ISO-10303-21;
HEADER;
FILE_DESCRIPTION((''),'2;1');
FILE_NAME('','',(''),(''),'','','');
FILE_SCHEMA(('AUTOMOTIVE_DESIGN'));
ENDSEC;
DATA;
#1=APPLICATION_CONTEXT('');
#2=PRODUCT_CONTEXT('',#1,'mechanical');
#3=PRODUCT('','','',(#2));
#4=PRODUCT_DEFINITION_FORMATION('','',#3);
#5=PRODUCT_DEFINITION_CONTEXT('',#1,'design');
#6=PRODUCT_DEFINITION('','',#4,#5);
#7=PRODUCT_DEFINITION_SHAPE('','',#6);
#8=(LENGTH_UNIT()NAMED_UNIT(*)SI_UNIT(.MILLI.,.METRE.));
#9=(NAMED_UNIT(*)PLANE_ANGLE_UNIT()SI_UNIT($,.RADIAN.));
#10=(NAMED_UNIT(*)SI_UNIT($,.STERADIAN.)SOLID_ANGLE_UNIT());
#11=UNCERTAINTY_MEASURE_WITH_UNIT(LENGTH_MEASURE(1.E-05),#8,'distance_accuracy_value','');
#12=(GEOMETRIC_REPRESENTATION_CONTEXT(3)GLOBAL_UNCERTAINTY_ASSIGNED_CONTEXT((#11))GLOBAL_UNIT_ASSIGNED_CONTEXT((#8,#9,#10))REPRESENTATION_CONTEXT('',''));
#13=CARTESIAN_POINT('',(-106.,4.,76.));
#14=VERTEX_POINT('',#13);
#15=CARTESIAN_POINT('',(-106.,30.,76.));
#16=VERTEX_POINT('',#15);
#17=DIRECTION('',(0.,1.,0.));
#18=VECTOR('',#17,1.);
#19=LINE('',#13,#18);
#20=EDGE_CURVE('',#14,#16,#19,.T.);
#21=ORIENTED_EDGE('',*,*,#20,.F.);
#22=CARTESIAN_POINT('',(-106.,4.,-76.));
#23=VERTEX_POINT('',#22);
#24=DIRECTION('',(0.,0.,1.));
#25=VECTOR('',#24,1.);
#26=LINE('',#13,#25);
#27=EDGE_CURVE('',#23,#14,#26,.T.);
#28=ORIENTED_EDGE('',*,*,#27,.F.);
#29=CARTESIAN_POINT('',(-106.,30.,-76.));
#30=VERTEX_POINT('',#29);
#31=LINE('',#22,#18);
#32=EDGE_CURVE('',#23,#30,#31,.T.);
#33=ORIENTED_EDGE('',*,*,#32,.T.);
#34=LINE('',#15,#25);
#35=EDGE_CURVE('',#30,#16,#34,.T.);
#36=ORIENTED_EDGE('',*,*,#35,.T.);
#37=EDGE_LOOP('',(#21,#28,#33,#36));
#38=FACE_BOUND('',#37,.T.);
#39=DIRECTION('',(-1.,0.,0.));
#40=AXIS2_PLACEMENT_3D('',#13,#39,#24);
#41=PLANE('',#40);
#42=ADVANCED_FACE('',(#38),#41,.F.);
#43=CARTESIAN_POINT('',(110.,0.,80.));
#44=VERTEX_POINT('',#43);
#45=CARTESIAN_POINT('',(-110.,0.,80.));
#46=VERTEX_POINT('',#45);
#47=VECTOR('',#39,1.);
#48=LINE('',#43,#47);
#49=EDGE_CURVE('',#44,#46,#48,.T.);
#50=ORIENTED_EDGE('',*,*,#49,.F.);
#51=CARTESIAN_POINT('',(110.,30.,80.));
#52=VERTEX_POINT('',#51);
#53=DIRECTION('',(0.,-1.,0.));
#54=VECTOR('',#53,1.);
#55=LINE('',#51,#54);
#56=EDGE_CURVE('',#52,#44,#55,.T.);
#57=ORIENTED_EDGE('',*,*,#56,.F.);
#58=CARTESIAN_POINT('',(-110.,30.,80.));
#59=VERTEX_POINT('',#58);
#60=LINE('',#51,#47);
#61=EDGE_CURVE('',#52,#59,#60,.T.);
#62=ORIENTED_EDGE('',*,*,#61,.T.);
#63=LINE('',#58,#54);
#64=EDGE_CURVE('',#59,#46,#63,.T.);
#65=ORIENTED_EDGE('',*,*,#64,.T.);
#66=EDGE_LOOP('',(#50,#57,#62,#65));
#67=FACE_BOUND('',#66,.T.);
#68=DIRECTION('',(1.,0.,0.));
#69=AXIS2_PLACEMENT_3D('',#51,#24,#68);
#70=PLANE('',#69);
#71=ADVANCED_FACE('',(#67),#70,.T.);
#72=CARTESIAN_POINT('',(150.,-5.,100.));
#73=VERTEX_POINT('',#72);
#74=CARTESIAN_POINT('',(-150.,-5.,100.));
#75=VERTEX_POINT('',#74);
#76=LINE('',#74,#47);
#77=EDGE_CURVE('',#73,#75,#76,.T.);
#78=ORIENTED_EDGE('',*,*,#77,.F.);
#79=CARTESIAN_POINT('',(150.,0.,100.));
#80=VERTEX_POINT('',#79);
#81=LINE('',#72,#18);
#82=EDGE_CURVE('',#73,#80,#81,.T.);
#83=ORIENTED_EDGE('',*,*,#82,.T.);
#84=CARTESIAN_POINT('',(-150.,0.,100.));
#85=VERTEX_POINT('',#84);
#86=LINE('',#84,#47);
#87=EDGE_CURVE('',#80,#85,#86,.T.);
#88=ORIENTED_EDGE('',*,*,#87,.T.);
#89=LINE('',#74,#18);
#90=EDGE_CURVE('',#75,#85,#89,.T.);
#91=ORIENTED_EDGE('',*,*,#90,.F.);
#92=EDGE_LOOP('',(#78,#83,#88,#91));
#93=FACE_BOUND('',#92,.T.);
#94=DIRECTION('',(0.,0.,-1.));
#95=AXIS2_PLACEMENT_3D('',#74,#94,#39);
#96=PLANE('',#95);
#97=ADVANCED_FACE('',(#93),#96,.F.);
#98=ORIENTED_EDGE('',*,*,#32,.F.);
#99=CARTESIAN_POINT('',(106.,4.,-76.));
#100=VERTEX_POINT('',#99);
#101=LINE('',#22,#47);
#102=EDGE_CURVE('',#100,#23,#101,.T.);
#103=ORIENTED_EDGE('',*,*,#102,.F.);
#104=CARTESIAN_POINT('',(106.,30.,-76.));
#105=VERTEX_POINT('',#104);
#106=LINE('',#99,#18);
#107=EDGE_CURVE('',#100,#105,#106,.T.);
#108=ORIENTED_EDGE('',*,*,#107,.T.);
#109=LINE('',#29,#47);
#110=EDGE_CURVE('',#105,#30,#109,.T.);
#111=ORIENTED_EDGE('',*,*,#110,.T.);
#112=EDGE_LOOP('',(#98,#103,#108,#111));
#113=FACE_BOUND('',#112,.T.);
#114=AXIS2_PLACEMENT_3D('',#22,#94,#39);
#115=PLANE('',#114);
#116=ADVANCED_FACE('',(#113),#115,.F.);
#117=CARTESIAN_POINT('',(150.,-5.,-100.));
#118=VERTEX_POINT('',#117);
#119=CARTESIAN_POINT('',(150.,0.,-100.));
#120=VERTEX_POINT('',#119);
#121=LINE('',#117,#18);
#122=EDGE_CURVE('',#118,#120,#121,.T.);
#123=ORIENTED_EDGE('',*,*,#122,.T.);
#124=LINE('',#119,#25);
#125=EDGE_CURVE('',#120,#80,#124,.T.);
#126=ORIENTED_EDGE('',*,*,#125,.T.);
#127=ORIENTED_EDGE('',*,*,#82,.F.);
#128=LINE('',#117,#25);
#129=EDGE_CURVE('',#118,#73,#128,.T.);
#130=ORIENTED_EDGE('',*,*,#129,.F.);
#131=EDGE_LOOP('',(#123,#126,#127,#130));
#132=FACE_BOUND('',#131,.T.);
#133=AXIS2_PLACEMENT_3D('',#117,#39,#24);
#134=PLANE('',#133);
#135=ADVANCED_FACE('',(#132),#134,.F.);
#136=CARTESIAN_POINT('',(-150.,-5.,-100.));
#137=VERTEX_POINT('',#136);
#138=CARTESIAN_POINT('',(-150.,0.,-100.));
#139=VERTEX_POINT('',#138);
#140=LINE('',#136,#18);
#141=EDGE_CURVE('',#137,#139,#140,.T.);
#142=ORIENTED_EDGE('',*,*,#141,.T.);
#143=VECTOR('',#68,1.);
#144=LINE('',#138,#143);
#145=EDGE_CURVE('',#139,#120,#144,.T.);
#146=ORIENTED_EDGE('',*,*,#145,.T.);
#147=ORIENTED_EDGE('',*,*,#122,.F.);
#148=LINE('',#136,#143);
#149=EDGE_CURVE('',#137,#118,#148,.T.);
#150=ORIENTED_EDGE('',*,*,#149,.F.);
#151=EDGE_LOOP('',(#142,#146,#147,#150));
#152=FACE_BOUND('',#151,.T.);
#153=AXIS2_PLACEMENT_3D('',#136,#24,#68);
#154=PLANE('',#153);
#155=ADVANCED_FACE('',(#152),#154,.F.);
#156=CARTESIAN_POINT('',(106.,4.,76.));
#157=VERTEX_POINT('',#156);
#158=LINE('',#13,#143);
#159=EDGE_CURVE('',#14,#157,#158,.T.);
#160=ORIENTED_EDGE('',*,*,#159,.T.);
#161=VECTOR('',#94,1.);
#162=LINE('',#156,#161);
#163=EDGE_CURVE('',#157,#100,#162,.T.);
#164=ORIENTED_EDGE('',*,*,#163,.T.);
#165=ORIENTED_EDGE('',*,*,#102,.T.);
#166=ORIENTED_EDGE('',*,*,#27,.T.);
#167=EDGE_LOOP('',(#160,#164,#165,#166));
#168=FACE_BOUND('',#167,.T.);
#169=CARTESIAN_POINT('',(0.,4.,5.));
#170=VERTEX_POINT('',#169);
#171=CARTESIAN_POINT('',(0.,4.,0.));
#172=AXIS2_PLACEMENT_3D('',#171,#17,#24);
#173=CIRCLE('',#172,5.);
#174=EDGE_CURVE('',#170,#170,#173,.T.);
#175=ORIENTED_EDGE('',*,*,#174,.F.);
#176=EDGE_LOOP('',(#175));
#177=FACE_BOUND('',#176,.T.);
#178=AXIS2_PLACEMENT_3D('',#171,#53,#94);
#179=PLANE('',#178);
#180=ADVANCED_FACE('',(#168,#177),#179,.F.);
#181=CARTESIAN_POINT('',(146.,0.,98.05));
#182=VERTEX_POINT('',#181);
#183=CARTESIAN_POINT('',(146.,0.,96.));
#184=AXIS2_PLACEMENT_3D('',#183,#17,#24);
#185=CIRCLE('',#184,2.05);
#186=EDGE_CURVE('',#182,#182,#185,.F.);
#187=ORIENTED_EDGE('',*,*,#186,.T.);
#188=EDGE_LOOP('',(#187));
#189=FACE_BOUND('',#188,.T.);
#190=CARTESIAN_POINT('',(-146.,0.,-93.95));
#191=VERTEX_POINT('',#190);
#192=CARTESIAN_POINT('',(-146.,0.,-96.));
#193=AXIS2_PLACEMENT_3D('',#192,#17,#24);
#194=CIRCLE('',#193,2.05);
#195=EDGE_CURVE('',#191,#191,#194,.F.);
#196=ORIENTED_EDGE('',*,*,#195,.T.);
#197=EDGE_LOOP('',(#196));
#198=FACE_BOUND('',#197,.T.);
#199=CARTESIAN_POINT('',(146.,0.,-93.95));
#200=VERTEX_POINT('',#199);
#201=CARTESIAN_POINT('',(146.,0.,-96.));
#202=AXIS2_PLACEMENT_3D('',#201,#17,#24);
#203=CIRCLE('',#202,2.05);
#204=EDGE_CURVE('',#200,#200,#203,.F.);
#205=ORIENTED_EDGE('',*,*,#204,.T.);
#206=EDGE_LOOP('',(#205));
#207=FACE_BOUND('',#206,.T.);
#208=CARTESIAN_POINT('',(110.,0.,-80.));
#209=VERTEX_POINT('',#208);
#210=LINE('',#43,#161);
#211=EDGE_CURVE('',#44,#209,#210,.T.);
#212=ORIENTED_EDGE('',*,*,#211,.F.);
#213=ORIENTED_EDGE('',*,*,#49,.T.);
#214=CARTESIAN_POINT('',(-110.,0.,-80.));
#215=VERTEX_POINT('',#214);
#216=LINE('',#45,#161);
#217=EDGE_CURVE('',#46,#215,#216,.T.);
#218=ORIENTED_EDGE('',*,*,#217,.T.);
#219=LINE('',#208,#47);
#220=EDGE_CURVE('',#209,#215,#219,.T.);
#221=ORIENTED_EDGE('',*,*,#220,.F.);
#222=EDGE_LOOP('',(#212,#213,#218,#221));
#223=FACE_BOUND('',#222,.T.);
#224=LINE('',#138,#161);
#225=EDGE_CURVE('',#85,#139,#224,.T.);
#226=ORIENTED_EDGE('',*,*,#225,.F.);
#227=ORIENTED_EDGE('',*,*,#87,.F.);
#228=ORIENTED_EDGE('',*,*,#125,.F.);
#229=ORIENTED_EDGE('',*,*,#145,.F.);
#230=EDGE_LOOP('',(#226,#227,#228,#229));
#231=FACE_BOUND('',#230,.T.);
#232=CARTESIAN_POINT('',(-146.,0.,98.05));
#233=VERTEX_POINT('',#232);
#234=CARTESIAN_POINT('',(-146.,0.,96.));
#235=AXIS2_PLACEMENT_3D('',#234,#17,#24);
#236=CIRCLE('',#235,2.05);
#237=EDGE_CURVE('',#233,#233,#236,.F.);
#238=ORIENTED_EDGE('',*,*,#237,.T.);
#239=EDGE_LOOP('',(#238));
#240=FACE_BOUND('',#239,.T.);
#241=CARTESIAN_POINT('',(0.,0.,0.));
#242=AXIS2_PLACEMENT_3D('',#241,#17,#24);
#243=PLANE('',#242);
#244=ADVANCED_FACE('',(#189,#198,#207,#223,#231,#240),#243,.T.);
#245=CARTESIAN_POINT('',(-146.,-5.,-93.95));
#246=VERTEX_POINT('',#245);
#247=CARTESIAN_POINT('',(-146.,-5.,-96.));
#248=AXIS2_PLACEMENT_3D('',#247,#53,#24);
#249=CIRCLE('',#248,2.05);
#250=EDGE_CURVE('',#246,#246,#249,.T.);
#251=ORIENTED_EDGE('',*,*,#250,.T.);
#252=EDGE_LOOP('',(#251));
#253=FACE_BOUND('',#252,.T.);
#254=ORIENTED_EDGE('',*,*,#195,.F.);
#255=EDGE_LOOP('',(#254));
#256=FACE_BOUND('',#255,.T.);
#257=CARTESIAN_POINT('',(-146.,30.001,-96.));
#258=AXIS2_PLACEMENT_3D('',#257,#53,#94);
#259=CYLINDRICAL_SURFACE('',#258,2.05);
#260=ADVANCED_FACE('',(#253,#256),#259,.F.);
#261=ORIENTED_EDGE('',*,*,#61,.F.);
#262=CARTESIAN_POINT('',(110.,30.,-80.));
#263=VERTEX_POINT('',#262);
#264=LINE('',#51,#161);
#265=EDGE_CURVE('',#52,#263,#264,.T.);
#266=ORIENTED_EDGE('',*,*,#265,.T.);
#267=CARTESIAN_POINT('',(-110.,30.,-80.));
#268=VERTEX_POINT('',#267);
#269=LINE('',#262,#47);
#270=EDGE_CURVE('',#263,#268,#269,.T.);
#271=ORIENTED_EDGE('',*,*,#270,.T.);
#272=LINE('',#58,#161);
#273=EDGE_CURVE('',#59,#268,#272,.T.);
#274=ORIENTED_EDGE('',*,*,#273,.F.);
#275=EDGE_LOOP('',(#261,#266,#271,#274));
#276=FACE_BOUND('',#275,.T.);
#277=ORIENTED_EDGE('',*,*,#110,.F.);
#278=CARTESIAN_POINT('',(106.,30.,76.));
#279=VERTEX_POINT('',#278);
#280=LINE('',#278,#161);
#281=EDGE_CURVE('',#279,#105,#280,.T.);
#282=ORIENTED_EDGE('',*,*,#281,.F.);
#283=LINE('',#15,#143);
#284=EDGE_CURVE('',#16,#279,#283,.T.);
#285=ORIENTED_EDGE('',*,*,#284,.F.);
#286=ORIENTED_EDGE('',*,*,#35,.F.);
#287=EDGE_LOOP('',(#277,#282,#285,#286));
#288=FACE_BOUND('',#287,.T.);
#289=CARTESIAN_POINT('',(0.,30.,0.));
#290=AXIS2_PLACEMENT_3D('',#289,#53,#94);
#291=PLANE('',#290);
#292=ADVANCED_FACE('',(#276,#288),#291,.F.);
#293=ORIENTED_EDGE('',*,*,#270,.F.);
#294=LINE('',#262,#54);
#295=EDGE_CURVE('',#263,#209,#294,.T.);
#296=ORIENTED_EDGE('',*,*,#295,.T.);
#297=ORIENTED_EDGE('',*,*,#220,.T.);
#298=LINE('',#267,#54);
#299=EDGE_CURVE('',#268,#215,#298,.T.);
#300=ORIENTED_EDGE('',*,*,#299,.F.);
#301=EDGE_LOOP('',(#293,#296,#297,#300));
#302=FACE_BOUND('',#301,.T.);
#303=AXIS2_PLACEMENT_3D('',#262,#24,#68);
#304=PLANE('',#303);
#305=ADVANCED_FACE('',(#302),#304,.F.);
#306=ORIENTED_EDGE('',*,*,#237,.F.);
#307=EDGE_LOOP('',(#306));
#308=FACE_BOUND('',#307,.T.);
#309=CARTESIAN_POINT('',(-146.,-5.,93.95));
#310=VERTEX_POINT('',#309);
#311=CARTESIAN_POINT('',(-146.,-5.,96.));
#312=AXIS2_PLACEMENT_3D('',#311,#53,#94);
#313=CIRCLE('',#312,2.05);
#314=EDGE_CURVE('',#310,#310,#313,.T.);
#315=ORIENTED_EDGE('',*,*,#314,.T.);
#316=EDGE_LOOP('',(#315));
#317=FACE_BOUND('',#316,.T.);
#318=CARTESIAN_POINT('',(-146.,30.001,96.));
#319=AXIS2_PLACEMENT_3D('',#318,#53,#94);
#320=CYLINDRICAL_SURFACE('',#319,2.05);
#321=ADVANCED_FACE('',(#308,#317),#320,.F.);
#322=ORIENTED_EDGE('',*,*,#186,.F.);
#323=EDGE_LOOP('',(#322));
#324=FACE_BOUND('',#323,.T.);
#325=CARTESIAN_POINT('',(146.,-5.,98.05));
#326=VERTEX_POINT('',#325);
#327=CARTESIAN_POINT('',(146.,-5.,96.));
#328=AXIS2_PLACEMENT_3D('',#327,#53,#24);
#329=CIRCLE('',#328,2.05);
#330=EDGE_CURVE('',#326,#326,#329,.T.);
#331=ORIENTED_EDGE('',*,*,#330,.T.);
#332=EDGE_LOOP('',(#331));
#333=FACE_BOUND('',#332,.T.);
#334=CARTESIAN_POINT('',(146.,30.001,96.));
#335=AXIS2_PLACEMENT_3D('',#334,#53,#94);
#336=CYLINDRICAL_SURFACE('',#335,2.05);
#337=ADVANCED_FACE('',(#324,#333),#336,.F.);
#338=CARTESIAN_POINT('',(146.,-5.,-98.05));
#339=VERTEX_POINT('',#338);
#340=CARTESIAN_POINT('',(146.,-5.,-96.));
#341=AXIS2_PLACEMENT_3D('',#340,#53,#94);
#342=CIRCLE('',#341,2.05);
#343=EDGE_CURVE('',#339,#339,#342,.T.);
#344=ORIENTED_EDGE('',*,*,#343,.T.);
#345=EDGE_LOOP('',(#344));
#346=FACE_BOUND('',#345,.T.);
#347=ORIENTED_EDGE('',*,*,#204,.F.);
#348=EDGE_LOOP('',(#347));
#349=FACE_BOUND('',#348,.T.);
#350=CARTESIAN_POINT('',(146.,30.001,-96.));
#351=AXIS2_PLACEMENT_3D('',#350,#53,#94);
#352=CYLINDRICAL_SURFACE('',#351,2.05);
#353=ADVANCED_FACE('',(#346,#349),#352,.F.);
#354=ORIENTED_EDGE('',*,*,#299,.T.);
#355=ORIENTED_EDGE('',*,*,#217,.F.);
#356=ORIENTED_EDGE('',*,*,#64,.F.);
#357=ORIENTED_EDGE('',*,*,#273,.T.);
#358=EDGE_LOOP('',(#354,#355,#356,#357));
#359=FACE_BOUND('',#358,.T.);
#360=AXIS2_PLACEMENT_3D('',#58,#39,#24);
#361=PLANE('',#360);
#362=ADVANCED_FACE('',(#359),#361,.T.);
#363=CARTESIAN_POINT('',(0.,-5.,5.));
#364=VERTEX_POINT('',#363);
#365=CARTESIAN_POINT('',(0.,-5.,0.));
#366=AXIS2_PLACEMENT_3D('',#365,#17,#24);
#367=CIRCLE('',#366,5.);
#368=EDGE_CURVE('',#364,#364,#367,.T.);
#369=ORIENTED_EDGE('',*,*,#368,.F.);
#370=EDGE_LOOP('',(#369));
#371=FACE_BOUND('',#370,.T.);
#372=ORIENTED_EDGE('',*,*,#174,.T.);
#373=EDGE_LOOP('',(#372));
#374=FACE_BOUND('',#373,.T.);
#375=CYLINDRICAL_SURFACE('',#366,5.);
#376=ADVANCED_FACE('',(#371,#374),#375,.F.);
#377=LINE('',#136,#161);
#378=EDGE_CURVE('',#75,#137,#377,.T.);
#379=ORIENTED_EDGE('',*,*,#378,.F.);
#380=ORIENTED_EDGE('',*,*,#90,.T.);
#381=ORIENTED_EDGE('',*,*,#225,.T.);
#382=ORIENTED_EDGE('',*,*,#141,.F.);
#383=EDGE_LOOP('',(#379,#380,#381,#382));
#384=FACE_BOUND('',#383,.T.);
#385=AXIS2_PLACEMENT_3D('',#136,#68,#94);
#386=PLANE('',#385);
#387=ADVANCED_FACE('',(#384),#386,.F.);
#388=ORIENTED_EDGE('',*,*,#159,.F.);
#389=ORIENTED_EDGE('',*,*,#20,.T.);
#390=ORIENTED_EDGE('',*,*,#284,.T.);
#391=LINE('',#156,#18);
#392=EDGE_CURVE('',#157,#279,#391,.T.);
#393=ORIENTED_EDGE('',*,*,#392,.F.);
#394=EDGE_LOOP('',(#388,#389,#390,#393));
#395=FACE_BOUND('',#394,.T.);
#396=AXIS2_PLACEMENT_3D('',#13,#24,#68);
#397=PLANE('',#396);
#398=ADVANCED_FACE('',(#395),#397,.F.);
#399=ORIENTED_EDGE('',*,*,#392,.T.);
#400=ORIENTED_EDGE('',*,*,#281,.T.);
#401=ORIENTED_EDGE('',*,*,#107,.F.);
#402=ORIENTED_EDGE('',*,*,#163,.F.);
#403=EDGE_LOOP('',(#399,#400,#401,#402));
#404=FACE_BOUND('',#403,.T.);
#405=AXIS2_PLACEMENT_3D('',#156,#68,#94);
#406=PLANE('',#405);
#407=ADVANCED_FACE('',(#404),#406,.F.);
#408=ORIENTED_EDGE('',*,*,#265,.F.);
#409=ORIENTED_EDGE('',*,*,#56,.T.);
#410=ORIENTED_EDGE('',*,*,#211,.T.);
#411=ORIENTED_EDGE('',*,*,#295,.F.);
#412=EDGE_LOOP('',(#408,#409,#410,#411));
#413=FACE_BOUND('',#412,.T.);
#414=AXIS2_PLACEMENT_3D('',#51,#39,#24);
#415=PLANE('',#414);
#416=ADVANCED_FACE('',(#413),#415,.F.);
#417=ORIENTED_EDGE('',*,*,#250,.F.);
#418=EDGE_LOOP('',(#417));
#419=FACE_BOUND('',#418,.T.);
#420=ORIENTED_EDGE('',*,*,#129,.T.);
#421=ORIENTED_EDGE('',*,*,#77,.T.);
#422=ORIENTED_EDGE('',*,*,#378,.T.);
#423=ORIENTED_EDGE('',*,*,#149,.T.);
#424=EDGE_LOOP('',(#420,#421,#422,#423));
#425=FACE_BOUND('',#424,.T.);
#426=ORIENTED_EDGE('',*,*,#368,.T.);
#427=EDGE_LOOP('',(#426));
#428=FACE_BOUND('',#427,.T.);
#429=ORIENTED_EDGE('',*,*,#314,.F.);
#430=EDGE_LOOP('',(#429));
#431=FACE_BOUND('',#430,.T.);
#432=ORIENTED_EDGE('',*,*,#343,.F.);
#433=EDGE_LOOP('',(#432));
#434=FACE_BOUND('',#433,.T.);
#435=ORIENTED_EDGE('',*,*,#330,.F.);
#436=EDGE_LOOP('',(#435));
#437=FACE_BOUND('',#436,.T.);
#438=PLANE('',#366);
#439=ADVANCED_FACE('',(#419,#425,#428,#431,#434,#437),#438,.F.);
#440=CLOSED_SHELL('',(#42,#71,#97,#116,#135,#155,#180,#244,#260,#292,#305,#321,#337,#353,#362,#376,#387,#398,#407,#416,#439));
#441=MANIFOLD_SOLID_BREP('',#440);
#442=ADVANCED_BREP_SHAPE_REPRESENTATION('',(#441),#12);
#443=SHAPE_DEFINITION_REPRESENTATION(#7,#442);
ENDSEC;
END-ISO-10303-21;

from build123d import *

# Parameters (mm, degrees)
SKETCH2_W           = 220
SKETCH2_H           = 160
BOSS_EXTRUDE1_DEPTH = 30
SKETCH3_W           = 212
SKETCH3_H           = 152
CUT_EXTRUDE1_DEPTH  = 26
SKETCH4_W           = 300
SKETCH4_H           = 200
BOSS_EXTRUDE2_DEPTH = 5
CUT_EXTRUDE2_REACH  = 185.644
SKETCH5_R           = 2.05
SKETCH6_R           = 5
CUT_EXTRUDE3_DEPTH  = 183.14280112


with BuildPart() as part:
    # Sketch2 → Boss-Extrude1 (new body)
    with BuildSketch(Plane(origin=(0, 0, 0), x_dir=(1, 0, 0), z_dir=(0, 1, 0))):
        Rectangle(SKETCH2_W, SKETCH2_H)
    extrude(amount=BOSS_EXTRUDE1_DEPTH)

    # Sketch3 → Cut-Extrude1 (cut)
    with BuildSketch(Plane(origin=(0, 30, 0), x_dir=(1, 0, 0), z_dir=(0, 1, 0))):
        Rectangle(SKETCH3_W, SKETCH3_H)
    extrude(amount=-CUT_EXTRUDE1_DEPTH, mode=Mode.SUBTRACT)

    # Sketch4 → Boss-Extrude2 (add)
    with BuildSketch(Plane.XZ):
        Rectangle(SKETCH4_W, SKETCH4_H)
    extrude(amount=BOSS_EXTRUDE2_DEPTH)

    # Sketch5 → Cut-Extrude2 (cut, up to next)
    with BuildSketch(Plane.XZ.offset(5), mode=Mode.PRIVATE) as cut_extrude2_sk1:
        with Locations(Location((-146, 96, 0), (0, 0, 270))):
            Circle(SKETCH5_R)
    cut_extrude2_tool1 = extrude(cut_extrude2_sk1.sketch, amount=-CUT_EXTRUDE2_REACH, mode=Mode.PRIVATE) & part.part
    # Sketch5 → Cut-Extrude2 (cut, up to next)
    with BuildSketch(Plane.XZ.offset(5), mode=Mode.PRIVATE) as cut_extrude2_sk2:
        with Locations(Location((146, 96, 0), (0, 0, 90))):
            Circle(SKETCH5_R)
    cut_extrude2_tool2 = extrude(cut_extrude2_sk2.sketch, amount=-CUT_EXTRUDE2_REACH, mode=Mode.PRIVATE) & part.part
    # Sketch5 → Cut-Extrude2 (cut, up to next)
    with BuildSketch(Plane.XZ.offset(5), mode=Mode.PRIVATE) as cut_extrude2_sk3:
        with Locations(Location((146, -96, 0), (0, 0, 270))):
            Circle(SKETCH5_R)
    cut_extrude2_tool3 = extrude(cut_extrude2_sk3.sketch, amount=-CUT_EXTRUDE2_REACH, mode=Mode.PRIVATE) & part.part
    # Sketch5 → Cut-Extrude2 (cut, up to next)
    with BuildSketch(Plane.XZ.offset(5), mode=Mode.PRIVATE) as cut_extrude2_sk4:
        with Locations(Location((-146, -96, 0), (0, 0, 90))):
            Circle(SKETCH5_R)
    cut_extrude2_tool4 = extrude(cut_extrude2_sk4.sketch, amount=-CUT_EXTRUDE2_REACH, mode=Mode.PRIVATE) & part.part
    add(cut_extrude2_tool1.solids().sort_by_distance((-146, -5, 96))[0], mode=Mode.SUBTRACT)
    add(cut_extrude2_tool2.solids().sort_by_distance((146, -5, 96))[0], mode=Mode.SUBTRACT)
    add(cut_extrude2_tool3.solids().sort_by_distance((146, -5, -96))[0], mode=Mode.SUBTRACT)
    add(cut_extrude2_tool4.solids().sort_by_distance((-146, -5, -96))[0], mode=Mode.SUBTRACT)

    # Sketch6 → Cut-Extrude3 (cut, through all)
    with BuildSketch(Plane(origin=(0, 4, 0), x_dir=(1, 0, 0), z_dir=(0, 1, 0))):
        with Locations(Location((0, 0, 0), (0, 0, 270))):
            Circle(SKETCH6_R)
    extrude(amount=-CUT_EXTRUDE3_DEPTH, mode=Mode.SUBTRACT)


solid = part.part
